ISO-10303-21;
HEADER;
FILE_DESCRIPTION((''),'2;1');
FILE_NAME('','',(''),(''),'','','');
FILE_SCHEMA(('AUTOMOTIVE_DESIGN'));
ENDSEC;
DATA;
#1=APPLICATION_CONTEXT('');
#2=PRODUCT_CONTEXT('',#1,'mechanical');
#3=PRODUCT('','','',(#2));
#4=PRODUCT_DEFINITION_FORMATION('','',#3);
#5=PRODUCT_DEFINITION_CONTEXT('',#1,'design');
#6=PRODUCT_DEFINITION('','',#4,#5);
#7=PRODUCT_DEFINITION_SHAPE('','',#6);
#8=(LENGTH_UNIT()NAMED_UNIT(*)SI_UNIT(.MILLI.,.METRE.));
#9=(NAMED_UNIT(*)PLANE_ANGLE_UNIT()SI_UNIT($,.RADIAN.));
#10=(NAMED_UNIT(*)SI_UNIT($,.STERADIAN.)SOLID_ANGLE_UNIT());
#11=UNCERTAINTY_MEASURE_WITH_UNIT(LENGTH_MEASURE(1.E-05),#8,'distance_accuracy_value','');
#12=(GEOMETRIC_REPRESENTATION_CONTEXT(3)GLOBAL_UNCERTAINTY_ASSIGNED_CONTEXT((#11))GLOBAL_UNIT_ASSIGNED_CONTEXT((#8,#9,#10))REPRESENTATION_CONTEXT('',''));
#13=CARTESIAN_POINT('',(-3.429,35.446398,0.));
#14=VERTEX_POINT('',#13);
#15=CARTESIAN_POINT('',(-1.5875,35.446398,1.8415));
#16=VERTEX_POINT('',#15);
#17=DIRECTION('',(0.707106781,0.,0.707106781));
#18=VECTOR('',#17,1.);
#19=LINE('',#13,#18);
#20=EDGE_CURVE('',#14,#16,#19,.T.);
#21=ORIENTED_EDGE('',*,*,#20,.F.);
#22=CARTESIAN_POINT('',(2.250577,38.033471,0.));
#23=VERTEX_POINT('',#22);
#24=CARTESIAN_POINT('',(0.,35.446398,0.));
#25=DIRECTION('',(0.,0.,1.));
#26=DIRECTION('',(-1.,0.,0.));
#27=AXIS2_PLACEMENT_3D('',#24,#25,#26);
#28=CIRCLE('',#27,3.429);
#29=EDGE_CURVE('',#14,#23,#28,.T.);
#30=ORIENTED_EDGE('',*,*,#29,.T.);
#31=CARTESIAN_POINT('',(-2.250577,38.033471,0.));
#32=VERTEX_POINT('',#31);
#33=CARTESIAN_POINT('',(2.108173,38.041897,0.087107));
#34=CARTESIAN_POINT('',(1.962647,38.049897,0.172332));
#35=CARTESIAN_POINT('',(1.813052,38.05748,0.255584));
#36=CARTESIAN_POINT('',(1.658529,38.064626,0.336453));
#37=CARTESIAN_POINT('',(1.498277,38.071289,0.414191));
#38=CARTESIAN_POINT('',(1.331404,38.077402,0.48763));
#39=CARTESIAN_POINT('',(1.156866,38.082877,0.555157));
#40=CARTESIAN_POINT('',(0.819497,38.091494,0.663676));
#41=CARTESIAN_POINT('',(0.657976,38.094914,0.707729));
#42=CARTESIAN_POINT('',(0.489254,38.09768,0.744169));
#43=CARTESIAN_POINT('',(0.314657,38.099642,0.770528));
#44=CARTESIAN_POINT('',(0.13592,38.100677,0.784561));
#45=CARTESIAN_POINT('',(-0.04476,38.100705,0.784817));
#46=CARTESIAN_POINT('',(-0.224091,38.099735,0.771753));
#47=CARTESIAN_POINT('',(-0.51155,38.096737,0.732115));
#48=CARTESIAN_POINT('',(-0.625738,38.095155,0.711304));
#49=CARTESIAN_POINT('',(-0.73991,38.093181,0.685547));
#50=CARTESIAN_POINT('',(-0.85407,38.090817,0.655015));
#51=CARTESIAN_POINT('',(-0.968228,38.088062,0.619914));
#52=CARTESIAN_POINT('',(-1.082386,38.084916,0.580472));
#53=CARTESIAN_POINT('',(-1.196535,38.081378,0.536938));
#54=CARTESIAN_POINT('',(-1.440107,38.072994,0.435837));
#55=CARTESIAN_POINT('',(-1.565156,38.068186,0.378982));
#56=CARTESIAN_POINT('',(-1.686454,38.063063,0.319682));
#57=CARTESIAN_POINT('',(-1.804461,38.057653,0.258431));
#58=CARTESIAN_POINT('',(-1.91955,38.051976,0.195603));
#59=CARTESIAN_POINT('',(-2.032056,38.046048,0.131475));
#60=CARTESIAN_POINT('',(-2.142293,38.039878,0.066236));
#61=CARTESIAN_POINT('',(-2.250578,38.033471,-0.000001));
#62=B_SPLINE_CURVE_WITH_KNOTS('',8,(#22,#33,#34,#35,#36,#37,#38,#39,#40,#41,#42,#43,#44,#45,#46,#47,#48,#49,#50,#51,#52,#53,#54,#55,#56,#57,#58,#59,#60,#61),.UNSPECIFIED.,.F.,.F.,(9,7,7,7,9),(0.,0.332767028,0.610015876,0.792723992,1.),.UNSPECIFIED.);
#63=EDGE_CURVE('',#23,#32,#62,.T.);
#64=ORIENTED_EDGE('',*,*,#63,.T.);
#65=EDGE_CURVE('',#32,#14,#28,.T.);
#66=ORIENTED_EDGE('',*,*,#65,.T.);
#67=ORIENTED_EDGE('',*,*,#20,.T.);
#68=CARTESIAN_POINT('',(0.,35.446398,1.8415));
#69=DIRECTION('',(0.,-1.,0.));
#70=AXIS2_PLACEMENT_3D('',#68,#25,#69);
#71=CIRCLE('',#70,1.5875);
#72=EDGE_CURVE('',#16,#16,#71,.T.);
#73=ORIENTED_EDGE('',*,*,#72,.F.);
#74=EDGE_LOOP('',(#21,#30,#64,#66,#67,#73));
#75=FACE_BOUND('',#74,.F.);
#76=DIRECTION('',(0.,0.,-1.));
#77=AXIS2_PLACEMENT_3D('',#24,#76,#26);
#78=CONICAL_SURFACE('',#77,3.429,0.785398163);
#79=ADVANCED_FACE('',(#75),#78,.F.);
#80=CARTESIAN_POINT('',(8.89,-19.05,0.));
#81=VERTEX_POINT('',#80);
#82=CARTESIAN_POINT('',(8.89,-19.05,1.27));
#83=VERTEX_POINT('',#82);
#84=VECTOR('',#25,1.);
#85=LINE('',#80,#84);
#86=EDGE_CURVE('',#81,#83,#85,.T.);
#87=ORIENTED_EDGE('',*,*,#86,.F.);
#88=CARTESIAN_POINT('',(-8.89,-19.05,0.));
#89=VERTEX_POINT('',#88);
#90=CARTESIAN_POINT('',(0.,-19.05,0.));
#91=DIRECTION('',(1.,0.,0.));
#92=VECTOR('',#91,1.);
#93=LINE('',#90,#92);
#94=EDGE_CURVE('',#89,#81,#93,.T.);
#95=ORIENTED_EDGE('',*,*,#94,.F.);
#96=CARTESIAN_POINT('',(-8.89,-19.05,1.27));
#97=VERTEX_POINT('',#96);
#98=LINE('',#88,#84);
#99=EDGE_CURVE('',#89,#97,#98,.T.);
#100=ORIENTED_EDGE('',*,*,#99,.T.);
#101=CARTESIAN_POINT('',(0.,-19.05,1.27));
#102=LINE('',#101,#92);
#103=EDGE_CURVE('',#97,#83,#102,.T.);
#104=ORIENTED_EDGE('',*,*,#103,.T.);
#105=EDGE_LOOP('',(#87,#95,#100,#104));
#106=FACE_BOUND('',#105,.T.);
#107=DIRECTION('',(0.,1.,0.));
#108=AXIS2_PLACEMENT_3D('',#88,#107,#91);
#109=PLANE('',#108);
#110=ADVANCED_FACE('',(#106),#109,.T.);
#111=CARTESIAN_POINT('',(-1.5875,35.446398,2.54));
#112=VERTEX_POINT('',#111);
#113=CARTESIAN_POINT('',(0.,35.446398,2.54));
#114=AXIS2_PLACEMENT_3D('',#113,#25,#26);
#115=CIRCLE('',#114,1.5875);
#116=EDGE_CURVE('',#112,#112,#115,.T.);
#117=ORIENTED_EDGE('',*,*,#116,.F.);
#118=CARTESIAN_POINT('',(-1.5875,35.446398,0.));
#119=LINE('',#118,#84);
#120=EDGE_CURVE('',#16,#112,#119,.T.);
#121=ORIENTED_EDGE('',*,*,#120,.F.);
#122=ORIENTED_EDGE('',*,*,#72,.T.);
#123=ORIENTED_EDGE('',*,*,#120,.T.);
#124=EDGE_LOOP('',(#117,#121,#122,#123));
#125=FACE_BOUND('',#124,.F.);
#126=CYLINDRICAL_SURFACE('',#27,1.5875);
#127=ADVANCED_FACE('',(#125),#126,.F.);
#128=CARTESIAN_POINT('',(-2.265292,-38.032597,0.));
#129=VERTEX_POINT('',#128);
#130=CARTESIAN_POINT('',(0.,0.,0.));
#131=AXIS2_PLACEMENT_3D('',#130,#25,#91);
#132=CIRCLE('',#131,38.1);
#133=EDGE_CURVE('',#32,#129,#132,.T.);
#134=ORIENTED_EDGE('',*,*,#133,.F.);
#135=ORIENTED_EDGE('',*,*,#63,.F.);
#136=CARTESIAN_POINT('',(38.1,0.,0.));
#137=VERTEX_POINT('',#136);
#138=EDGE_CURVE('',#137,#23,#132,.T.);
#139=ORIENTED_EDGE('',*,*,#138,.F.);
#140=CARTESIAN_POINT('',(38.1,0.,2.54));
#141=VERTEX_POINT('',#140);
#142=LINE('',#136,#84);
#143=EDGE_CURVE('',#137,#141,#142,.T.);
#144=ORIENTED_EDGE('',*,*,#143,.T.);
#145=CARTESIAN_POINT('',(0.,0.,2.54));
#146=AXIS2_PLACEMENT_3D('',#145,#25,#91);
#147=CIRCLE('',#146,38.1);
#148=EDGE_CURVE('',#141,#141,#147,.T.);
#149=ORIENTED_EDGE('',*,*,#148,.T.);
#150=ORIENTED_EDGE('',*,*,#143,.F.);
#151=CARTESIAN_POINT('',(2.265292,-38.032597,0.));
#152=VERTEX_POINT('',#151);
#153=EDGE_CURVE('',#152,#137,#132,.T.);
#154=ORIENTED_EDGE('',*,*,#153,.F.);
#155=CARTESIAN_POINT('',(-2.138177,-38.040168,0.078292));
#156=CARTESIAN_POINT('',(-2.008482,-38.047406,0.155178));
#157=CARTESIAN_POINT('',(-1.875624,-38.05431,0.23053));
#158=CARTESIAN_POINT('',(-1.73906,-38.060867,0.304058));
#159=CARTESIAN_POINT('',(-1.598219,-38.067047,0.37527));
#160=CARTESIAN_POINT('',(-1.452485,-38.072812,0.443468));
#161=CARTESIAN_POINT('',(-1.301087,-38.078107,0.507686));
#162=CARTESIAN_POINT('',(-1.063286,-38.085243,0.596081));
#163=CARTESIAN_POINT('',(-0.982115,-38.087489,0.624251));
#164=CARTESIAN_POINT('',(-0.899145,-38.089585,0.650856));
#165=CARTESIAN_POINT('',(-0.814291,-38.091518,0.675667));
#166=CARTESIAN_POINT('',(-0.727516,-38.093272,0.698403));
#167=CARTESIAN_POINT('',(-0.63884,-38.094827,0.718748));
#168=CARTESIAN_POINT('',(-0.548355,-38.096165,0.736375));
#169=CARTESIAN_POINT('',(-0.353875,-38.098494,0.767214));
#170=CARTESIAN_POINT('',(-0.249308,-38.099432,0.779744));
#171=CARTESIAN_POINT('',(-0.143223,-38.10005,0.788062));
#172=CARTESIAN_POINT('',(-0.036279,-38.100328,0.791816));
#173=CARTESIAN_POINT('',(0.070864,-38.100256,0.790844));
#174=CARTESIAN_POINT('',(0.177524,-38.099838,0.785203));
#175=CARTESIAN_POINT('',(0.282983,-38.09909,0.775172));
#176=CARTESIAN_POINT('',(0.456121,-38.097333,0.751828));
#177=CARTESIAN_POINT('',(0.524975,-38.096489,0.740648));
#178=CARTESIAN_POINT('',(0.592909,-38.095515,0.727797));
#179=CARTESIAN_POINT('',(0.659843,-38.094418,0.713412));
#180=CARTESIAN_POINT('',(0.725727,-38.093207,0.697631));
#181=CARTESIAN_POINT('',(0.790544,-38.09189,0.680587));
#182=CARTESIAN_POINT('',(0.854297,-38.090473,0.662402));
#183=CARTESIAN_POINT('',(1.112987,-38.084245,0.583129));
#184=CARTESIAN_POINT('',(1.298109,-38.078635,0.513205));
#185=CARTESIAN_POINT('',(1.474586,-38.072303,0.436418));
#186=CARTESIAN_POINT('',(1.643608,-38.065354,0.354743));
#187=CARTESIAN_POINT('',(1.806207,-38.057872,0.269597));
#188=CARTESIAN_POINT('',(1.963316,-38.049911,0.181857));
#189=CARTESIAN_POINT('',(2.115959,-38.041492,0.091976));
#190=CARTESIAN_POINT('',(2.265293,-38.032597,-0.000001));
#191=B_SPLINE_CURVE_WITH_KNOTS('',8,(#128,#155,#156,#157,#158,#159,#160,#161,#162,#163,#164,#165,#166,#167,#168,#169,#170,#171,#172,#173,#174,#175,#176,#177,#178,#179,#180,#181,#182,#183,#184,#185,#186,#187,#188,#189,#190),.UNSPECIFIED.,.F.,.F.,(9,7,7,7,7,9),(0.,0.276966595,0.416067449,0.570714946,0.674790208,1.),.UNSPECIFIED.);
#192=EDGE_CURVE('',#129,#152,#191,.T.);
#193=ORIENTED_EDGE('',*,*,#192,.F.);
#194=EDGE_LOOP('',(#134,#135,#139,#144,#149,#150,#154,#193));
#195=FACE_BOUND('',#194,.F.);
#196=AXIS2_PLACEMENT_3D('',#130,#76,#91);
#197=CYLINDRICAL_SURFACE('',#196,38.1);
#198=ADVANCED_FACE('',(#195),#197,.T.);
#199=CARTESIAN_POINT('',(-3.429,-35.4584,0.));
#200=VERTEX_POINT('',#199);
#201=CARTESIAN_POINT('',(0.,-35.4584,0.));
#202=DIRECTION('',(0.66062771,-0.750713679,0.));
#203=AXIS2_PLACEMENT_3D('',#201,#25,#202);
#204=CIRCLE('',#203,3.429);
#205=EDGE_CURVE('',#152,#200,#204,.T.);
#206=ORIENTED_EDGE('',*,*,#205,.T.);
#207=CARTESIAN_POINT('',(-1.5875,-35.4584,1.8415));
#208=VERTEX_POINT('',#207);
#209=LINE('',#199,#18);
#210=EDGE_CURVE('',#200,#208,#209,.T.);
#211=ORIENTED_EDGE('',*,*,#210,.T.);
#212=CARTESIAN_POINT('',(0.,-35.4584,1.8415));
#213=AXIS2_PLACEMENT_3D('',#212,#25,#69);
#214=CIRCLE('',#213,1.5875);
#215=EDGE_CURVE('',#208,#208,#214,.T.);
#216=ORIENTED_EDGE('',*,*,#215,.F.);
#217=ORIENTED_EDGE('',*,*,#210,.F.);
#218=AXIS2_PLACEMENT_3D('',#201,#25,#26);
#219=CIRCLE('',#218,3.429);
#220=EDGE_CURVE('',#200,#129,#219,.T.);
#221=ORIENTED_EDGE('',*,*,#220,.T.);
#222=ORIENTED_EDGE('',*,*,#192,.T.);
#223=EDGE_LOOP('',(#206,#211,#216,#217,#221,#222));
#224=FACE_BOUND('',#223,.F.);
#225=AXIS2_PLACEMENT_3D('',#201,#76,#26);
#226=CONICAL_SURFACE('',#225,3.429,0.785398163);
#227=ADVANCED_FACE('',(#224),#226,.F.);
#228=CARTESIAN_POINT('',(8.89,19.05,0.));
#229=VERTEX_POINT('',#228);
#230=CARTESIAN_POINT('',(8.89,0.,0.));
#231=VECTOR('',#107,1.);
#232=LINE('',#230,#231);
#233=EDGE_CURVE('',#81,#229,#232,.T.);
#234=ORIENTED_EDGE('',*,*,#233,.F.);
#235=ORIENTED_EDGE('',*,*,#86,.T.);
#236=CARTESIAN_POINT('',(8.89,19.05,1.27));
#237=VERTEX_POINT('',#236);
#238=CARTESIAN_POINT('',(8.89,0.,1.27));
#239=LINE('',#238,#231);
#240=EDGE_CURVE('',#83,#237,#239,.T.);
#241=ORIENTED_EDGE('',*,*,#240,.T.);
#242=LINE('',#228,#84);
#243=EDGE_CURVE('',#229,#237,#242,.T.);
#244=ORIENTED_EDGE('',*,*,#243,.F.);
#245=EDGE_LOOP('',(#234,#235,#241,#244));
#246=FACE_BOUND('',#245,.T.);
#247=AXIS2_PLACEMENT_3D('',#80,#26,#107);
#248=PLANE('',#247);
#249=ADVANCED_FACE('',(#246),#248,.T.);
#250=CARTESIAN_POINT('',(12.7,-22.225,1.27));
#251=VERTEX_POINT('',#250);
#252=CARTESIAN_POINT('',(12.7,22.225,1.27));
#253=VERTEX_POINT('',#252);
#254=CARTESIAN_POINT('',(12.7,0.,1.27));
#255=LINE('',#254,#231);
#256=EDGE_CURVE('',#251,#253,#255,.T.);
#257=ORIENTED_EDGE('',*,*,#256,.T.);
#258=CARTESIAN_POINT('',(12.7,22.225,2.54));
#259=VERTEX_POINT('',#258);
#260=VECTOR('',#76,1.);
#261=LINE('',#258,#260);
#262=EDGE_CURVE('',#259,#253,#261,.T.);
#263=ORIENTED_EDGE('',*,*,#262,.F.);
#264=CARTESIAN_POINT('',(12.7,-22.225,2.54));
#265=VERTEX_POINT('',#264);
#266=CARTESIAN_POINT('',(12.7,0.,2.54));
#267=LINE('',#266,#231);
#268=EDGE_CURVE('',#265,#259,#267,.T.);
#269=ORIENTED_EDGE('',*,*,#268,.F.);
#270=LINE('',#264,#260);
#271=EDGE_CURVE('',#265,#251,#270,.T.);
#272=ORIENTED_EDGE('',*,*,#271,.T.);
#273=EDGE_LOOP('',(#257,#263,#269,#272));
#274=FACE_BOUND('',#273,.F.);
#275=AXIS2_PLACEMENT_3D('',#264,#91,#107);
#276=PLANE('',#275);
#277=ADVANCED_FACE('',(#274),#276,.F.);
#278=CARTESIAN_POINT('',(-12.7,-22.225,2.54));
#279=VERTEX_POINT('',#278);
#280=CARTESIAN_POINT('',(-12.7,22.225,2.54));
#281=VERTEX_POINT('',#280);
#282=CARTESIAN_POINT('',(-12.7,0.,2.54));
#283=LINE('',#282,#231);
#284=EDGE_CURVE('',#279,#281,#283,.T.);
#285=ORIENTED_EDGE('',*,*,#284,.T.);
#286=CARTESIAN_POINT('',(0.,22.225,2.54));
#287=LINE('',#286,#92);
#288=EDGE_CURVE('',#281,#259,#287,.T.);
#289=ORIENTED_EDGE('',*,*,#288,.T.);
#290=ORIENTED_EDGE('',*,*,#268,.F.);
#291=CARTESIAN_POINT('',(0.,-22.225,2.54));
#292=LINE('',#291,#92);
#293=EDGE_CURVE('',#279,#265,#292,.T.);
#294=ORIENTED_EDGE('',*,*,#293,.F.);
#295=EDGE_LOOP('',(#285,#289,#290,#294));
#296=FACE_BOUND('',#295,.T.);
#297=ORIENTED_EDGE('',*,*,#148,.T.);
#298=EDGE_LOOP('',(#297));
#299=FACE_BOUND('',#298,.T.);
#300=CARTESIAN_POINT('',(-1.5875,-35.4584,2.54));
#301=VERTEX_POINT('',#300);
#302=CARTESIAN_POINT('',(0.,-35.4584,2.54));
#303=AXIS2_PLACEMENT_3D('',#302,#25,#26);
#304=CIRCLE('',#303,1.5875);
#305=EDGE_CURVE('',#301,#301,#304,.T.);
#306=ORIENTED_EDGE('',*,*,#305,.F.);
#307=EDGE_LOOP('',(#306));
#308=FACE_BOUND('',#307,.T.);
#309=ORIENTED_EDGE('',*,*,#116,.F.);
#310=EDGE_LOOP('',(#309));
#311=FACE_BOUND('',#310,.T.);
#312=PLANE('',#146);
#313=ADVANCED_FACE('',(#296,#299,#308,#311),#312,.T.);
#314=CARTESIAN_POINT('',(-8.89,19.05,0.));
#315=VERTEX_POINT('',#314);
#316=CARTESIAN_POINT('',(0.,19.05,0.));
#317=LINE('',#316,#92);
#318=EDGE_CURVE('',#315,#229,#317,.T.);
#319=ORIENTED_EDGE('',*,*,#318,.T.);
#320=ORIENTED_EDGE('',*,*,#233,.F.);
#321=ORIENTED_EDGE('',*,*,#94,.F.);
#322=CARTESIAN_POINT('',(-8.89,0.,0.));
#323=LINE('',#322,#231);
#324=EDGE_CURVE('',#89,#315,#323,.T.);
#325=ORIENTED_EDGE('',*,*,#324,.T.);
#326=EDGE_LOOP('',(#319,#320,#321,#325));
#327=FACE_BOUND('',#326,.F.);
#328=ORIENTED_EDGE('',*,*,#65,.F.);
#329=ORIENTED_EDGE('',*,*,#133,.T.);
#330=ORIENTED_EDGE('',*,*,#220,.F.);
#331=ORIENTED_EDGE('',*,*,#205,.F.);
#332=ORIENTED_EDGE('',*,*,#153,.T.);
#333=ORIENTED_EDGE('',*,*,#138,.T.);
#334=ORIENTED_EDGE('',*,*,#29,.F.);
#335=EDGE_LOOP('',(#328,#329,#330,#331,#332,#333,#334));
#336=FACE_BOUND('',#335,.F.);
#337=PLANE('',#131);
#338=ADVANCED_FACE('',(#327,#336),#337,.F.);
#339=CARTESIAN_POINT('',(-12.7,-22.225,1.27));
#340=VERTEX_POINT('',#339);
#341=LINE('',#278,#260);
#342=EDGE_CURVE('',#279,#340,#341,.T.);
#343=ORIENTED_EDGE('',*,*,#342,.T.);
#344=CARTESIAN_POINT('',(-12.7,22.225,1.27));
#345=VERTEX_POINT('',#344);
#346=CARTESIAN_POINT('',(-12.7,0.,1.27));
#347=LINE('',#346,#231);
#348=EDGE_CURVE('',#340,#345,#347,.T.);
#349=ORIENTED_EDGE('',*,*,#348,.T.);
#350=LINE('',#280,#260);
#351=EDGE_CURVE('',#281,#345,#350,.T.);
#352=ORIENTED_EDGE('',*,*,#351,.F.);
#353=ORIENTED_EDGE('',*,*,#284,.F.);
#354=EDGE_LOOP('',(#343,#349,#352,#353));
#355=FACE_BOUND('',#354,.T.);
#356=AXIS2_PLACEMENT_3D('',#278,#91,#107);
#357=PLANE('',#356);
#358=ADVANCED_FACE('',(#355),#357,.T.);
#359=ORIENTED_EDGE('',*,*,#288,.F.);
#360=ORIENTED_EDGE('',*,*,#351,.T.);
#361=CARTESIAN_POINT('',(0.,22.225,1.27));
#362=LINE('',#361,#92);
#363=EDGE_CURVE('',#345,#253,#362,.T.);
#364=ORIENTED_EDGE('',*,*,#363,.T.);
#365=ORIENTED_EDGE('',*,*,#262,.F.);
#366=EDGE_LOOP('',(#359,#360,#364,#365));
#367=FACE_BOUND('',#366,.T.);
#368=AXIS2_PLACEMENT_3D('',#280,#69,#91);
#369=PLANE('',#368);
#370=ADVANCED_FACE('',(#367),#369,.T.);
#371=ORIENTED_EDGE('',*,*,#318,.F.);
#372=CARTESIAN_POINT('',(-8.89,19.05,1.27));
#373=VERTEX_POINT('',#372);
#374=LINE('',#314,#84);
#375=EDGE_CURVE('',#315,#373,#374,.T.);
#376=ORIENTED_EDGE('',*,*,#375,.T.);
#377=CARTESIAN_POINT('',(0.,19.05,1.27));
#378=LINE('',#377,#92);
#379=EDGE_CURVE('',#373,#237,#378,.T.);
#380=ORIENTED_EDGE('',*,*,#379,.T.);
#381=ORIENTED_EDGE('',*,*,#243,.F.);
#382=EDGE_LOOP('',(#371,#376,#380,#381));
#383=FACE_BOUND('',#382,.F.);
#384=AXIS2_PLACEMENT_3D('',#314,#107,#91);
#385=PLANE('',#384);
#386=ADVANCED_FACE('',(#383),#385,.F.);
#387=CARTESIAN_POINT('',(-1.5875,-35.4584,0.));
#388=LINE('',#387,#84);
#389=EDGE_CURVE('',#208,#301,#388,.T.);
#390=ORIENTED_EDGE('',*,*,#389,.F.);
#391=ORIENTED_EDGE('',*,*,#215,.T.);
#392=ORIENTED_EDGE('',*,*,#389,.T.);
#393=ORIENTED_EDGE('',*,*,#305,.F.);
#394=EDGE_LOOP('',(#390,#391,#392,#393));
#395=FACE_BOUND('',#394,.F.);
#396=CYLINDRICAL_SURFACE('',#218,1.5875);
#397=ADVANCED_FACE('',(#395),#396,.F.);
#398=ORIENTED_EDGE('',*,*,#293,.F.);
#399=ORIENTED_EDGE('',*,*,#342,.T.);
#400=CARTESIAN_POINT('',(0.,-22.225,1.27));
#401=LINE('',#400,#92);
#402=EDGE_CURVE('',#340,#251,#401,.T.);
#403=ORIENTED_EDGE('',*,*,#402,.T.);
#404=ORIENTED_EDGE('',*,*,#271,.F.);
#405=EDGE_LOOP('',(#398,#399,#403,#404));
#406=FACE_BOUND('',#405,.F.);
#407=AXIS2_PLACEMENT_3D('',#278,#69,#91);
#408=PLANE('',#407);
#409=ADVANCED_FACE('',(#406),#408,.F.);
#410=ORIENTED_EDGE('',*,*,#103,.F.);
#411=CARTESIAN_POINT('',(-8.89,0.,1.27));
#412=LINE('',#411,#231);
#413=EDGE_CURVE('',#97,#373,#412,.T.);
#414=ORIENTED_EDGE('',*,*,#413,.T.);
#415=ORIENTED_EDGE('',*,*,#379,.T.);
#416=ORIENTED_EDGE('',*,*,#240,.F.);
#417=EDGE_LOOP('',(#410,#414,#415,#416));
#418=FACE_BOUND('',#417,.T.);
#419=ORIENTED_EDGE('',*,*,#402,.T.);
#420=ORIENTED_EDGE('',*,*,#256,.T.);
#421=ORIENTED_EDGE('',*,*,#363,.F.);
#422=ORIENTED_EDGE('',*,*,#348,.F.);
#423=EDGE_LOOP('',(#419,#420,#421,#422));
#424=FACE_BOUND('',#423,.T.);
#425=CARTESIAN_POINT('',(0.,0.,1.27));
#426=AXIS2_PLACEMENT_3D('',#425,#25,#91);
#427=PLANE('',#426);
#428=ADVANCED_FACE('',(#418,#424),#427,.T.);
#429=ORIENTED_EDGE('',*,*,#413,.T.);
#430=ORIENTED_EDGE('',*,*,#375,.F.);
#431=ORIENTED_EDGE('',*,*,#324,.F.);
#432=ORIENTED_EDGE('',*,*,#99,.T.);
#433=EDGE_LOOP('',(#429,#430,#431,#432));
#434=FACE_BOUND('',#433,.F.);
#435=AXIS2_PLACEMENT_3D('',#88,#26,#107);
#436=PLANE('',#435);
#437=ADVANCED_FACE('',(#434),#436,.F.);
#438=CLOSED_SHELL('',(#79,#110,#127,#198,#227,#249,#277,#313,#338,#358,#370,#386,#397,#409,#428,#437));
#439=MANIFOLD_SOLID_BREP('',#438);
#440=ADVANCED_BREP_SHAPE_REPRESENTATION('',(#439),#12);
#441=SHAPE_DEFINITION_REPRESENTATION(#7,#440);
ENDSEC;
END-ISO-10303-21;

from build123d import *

# Parameters (mm, degrees)
F0_R           = 38.1
F0_W           = 17.78
F0_H           = 38.1
F2_DEPTH       = 2.54
F3_D           = 3.175
F3_CSINK_D     = 6.858
F3_CSINK_ANGLE = 90
F4_W           = 25.4
F4_H           = 44.45
F4_W_2         = 17.78
F4_H_2         = 38.1
F5_DEPTH       = 1.27


with BuildPart() as f2:
    # F0 (on Top) → F2 (new body)
    with BuildSketch(Plane.XY):
        Circle(F0_R)
        Rectangle(F0_W, F0_H, mode=Mode.SUBTRACT)
    extrude(amount=F2_DEPTH)

    # F3 (through all)
    with Locations(Plane(origin=(0, 0, 0), x_dir=(1, 0, 0), z_dir=(0, 0, -1))):
        with Locations((0, 35.4584), (0, -35.4463979602)):
            CounterSinkHole(F3_D / 2, F3_CSINK_D / 2, counter_sink_angle=F3_CSINK_ANGLE)

    # F4 (on face) → F5 (cut)
    with BuildSketch(Plane.XY.offset(2.54)):
        Rectangle(F4_W, F4_H)
        Rectangle(F4_W_2, F4_H_2, mode=Mode.SUBTRACT)
    extrude(amount=-F5_DEPTH, mode=Mode.SUBTRACT)


solid = f2.part
